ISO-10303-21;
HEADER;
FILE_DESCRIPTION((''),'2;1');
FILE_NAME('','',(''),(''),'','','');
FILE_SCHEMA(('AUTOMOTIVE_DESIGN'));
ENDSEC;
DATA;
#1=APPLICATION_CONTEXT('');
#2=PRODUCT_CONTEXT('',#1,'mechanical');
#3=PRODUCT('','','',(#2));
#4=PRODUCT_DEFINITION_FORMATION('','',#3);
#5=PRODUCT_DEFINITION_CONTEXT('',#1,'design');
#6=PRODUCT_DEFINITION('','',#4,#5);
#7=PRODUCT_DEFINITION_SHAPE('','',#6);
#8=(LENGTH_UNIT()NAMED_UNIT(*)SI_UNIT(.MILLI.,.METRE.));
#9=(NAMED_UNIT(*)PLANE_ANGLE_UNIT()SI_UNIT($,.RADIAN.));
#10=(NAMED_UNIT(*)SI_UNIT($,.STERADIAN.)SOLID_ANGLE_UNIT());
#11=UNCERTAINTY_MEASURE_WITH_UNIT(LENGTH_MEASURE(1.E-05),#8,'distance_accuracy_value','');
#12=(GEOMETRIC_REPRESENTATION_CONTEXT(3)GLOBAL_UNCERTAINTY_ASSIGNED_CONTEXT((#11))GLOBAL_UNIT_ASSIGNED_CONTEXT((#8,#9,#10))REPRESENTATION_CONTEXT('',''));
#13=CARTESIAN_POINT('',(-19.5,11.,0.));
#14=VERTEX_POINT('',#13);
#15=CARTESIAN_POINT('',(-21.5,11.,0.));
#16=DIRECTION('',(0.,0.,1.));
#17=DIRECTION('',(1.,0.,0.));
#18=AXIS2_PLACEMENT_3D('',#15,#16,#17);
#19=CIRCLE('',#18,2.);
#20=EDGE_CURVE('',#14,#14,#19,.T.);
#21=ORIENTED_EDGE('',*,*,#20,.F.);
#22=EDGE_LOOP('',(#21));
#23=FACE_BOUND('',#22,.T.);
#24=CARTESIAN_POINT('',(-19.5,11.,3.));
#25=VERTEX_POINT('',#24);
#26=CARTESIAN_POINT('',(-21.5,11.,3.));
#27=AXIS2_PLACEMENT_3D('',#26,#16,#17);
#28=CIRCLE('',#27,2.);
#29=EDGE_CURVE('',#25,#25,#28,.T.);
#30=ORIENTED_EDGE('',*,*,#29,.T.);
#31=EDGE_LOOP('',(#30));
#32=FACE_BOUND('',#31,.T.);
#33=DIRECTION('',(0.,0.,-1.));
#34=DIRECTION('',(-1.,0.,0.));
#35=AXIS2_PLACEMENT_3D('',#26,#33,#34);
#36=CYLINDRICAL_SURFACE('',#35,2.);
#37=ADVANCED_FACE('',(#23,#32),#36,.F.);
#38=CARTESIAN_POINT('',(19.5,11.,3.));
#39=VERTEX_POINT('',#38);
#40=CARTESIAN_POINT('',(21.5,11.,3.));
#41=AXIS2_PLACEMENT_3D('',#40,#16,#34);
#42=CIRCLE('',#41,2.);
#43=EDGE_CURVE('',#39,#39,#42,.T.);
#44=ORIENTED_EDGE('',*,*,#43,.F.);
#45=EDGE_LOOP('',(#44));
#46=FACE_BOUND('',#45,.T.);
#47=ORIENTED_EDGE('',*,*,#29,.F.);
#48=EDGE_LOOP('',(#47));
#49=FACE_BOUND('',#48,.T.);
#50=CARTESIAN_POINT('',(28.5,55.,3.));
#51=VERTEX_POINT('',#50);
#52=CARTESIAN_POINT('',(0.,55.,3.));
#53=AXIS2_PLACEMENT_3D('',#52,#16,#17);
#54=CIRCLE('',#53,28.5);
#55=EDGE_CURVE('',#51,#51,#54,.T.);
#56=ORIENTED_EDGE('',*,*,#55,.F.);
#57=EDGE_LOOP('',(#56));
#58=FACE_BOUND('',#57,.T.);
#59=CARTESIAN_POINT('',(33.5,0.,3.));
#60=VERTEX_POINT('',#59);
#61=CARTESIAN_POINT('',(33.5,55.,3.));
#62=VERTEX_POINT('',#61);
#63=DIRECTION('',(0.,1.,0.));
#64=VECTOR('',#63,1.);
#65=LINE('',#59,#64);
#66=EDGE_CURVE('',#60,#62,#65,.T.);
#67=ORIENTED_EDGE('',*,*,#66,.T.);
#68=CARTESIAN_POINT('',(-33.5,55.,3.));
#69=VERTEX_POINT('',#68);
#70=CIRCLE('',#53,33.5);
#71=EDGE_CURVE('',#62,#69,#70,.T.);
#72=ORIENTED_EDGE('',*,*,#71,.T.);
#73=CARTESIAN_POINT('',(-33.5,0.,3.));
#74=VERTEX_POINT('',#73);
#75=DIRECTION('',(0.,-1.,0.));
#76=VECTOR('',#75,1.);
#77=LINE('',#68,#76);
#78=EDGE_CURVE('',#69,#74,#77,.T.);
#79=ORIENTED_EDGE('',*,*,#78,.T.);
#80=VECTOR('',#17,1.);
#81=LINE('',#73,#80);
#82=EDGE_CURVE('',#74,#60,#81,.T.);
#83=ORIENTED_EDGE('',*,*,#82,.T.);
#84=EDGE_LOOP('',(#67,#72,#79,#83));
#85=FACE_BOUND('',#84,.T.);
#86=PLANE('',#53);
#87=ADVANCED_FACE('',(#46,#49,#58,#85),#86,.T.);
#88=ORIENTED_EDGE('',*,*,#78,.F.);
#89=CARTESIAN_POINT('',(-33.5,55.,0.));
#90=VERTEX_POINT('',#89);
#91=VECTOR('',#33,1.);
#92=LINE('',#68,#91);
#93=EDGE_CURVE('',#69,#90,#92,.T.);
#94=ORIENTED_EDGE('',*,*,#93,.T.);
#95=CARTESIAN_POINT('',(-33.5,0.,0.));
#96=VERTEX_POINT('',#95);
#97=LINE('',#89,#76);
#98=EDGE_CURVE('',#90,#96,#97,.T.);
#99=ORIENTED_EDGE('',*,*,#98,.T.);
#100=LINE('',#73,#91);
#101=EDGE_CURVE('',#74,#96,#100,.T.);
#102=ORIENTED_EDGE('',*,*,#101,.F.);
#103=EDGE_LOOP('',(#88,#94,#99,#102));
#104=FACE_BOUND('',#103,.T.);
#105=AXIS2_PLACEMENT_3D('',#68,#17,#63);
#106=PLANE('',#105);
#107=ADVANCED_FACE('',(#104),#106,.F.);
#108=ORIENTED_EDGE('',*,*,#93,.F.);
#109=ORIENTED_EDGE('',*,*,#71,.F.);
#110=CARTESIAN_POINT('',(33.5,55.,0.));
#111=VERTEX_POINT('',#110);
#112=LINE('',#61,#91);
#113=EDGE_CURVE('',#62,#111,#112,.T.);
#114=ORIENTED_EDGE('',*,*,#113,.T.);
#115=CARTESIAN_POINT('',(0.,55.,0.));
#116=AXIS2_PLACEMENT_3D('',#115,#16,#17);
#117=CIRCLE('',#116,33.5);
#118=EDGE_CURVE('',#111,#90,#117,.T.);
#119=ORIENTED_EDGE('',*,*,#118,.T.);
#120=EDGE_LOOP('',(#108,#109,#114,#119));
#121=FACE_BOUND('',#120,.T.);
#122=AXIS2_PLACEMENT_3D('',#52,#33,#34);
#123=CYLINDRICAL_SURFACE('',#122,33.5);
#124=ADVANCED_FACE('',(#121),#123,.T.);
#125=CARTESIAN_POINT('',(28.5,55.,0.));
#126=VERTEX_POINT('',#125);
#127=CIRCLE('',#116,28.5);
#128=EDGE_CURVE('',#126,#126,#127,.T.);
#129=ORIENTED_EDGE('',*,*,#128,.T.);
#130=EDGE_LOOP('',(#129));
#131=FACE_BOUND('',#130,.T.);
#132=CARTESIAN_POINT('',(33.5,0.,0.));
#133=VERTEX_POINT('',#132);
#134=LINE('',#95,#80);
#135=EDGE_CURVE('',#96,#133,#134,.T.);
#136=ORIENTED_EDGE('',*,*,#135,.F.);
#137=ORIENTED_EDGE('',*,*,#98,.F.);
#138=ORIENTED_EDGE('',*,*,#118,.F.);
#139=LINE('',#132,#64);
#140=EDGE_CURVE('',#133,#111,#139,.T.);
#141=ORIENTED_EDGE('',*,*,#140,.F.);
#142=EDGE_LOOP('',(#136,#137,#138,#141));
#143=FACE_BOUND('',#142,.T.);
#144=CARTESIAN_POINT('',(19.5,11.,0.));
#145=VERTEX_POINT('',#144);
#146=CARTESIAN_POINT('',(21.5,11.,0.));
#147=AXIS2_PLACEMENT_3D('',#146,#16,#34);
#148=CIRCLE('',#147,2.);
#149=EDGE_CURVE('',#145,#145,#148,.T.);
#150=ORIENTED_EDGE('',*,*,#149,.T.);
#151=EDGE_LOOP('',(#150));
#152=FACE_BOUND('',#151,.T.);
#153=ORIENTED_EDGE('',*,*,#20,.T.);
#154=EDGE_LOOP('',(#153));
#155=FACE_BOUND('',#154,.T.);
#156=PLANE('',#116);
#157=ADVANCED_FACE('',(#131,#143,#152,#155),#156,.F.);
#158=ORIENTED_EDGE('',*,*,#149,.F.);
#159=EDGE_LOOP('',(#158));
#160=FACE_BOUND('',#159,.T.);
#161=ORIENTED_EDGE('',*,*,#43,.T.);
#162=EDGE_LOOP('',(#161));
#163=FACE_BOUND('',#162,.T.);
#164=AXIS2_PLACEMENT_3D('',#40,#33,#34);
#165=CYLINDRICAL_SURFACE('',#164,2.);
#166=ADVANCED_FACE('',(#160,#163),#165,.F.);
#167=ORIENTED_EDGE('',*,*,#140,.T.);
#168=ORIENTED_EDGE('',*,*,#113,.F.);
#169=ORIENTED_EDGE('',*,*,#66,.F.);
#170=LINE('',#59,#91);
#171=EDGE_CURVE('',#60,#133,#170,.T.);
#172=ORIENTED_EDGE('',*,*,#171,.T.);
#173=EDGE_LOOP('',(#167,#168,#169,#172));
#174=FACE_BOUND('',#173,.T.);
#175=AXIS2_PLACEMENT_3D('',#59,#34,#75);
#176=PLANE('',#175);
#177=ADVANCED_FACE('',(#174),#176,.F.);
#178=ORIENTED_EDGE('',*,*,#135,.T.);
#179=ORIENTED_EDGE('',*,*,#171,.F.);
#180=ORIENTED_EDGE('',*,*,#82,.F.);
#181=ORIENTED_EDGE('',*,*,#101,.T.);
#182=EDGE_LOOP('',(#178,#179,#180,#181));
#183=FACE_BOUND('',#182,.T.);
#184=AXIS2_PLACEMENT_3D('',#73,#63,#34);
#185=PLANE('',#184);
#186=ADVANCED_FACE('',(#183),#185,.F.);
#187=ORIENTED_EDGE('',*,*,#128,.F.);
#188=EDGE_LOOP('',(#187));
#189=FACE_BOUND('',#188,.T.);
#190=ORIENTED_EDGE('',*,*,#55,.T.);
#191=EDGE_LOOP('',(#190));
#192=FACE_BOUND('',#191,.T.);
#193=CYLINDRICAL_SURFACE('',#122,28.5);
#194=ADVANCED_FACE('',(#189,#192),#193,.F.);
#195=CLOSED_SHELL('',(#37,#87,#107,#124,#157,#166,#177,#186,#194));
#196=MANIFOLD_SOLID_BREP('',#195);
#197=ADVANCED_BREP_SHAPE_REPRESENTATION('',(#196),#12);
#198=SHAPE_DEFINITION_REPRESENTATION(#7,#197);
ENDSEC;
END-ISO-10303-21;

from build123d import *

# Parameters (mm, degrees)
SKETCH1_R           = 28.5
SKETCH1_R_2         = 2
BOSS_EXTRUDE1_DEPTH = 3


with BuildPart() as part:
    # Sketch1 → Boss-Extrude1 (new body)
    with BuildSketch(Plane.XY):
        with BuildLine():
            Line((-33.5, 0), (33.5, 0))
            Line((33.5, 0), (33.5, 55))
            ThreePointArc((33.5, 55), (0, 88.5), (-33.5, 55))
            Line((-33.5, 55), (-33.5, 0))
        make_face()
        with Locations((0, 55)):
            Circle(SKETCH1_R, mode=Mode.SUBTRACT)
        with Locations((-21.5, 11)):
            Circle(SKETCH1_R_2, mode=Mode.SUBTRACT)
        with Locations((21.5, 11)):
            Circle(SKETCH1_R_2, mode=Mode.SUBTRACT)
    extrude(amount=BOSS_EXTRUDE1_DEPTH)


solid = part.part
